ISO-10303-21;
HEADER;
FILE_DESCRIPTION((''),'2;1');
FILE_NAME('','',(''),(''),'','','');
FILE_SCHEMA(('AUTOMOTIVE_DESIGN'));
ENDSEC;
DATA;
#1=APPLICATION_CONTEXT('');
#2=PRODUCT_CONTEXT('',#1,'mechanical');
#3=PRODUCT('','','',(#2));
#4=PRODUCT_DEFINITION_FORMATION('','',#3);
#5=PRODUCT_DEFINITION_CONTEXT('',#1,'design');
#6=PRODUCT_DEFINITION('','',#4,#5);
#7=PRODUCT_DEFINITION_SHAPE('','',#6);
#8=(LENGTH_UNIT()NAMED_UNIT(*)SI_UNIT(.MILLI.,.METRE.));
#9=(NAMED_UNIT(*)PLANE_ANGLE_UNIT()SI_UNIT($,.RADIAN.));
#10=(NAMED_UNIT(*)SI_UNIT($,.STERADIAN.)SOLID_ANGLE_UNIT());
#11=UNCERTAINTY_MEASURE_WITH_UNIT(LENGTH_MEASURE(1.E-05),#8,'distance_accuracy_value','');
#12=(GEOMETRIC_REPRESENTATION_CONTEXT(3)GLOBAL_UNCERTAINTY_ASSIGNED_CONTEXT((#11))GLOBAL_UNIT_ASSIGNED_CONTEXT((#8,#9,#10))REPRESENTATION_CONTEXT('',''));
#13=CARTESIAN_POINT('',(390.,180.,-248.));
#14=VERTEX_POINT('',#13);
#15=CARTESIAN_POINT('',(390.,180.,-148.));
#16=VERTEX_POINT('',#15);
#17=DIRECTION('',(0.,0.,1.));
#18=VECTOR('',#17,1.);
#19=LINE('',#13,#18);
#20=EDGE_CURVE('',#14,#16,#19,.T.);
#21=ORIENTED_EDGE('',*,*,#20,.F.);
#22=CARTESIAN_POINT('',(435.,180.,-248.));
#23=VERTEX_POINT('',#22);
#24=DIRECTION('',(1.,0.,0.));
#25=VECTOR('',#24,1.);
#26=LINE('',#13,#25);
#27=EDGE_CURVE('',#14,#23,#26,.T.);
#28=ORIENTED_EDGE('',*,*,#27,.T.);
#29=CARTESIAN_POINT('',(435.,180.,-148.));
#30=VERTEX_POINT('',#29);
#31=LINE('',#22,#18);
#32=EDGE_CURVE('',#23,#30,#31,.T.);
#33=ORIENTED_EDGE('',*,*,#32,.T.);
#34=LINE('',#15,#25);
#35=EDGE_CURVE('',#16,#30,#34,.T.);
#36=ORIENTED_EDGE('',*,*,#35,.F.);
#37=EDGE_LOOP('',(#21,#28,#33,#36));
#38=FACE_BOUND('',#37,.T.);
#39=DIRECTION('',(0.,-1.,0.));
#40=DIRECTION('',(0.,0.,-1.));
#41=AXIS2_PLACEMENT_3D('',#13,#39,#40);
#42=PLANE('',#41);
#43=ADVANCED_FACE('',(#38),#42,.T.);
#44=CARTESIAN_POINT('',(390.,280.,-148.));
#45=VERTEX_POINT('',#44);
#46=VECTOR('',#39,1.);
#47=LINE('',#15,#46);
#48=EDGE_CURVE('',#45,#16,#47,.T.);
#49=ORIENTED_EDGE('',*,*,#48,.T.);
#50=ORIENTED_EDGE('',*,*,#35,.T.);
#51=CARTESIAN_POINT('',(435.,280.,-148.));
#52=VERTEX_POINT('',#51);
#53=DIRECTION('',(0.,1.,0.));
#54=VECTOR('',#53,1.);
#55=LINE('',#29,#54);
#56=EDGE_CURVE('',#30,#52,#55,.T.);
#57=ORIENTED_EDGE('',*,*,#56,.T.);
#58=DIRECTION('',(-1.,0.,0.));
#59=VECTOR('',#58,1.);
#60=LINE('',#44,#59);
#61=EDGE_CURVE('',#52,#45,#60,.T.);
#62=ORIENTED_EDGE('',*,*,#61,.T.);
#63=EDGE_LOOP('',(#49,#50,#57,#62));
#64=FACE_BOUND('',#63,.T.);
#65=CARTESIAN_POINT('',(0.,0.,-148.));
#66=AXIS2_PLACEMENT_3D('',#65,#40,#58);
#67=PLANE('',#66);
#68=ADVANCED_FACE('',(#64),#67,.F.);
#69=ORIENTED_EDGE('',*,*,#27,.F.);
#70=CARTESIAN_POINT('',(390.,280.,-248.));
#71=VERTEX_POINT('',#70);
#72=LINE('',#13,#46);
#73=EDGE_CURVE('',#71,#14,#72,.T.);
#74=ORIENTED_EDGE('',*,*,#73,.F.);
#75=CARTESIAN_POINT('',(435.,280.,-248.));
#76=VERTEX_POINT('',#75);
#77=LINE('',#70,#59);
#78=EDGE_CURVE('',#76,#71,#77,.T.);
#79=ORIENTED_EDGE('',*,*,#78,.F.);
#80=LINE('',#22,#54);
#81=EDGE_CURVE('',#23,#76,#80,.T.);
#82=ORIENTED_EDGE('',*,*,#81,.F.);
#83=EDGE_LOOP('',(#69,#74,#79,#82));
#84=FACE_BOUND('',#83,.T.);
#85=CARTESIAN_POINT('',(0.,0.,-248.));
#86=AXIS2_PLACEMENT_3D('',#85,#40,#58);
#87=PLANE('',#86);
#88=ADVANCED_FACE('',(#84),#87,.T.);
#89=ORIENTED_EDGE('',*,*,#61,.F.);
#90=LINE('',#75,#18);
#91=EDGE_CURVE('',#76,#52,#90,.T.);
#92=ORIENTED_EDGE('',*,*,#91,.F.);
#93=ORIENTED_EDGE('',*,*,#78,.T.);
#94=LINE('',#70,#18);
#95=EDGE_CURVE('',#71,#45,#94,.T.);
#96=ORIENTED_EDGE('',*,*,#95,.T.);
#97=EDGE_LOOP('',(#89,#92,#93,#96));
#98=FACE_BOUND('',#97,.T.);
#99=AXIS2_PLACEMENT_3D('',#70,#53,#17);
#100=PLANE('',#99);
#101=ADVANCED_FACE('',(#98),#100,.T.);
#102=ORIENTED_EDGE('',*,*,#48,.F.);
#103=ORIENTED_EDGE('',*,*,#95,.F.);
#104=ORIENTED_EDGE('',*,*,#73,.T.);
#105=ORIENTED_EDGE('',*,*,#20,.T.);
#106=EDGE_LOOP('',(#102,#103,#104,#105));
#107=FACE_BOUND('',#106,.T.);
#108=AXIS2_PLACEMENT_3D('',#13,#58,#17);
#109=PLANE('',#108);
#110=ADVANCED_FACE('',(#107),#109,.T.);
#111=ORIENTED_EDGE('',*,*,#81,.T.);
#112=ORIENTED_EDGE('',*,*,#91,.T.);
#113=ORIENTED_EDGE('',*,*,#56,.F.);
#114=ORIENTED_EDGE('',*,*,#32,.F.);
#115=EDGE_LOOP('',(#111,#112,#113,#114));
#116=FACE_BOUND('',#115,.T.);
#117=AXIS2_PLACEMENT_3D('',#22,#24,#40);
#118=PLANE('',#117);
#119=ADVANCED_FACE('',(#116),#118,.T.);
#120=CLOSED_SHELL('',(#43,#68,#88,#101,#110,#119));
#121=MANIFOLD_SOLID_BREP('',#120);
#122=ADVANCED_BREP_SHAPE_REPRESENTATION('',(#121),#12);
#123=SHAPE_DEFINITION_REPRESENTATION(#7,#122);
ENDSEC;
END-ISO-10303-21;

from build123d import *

# Parameters (mm, degrees)
PACK_PANO_MOTOR_SURUCU_1_1_START = -148
SKETCH1_W                        = 45
SKETCH1_H                        = 100
PACK_PANO_MOTOR_SURUCU_1_1_DEPTH = 100


with BuildPart() as part:
    # Sketch1 → PACK_pano_motor_surucu_1_1 (new body)
    with BuildSketch(Plane.XY.offset(PACK_PANO_MOTOR_SURUCU_1_1_START)):
        with Locations((412.5, 230)):
            Rectangle(SKETCH1_W, SKETCH1_H)
    extrude(amount=-PACK_PANO_MOTOR_SURUCU_1_1_DEPTH)


solid = part.part
